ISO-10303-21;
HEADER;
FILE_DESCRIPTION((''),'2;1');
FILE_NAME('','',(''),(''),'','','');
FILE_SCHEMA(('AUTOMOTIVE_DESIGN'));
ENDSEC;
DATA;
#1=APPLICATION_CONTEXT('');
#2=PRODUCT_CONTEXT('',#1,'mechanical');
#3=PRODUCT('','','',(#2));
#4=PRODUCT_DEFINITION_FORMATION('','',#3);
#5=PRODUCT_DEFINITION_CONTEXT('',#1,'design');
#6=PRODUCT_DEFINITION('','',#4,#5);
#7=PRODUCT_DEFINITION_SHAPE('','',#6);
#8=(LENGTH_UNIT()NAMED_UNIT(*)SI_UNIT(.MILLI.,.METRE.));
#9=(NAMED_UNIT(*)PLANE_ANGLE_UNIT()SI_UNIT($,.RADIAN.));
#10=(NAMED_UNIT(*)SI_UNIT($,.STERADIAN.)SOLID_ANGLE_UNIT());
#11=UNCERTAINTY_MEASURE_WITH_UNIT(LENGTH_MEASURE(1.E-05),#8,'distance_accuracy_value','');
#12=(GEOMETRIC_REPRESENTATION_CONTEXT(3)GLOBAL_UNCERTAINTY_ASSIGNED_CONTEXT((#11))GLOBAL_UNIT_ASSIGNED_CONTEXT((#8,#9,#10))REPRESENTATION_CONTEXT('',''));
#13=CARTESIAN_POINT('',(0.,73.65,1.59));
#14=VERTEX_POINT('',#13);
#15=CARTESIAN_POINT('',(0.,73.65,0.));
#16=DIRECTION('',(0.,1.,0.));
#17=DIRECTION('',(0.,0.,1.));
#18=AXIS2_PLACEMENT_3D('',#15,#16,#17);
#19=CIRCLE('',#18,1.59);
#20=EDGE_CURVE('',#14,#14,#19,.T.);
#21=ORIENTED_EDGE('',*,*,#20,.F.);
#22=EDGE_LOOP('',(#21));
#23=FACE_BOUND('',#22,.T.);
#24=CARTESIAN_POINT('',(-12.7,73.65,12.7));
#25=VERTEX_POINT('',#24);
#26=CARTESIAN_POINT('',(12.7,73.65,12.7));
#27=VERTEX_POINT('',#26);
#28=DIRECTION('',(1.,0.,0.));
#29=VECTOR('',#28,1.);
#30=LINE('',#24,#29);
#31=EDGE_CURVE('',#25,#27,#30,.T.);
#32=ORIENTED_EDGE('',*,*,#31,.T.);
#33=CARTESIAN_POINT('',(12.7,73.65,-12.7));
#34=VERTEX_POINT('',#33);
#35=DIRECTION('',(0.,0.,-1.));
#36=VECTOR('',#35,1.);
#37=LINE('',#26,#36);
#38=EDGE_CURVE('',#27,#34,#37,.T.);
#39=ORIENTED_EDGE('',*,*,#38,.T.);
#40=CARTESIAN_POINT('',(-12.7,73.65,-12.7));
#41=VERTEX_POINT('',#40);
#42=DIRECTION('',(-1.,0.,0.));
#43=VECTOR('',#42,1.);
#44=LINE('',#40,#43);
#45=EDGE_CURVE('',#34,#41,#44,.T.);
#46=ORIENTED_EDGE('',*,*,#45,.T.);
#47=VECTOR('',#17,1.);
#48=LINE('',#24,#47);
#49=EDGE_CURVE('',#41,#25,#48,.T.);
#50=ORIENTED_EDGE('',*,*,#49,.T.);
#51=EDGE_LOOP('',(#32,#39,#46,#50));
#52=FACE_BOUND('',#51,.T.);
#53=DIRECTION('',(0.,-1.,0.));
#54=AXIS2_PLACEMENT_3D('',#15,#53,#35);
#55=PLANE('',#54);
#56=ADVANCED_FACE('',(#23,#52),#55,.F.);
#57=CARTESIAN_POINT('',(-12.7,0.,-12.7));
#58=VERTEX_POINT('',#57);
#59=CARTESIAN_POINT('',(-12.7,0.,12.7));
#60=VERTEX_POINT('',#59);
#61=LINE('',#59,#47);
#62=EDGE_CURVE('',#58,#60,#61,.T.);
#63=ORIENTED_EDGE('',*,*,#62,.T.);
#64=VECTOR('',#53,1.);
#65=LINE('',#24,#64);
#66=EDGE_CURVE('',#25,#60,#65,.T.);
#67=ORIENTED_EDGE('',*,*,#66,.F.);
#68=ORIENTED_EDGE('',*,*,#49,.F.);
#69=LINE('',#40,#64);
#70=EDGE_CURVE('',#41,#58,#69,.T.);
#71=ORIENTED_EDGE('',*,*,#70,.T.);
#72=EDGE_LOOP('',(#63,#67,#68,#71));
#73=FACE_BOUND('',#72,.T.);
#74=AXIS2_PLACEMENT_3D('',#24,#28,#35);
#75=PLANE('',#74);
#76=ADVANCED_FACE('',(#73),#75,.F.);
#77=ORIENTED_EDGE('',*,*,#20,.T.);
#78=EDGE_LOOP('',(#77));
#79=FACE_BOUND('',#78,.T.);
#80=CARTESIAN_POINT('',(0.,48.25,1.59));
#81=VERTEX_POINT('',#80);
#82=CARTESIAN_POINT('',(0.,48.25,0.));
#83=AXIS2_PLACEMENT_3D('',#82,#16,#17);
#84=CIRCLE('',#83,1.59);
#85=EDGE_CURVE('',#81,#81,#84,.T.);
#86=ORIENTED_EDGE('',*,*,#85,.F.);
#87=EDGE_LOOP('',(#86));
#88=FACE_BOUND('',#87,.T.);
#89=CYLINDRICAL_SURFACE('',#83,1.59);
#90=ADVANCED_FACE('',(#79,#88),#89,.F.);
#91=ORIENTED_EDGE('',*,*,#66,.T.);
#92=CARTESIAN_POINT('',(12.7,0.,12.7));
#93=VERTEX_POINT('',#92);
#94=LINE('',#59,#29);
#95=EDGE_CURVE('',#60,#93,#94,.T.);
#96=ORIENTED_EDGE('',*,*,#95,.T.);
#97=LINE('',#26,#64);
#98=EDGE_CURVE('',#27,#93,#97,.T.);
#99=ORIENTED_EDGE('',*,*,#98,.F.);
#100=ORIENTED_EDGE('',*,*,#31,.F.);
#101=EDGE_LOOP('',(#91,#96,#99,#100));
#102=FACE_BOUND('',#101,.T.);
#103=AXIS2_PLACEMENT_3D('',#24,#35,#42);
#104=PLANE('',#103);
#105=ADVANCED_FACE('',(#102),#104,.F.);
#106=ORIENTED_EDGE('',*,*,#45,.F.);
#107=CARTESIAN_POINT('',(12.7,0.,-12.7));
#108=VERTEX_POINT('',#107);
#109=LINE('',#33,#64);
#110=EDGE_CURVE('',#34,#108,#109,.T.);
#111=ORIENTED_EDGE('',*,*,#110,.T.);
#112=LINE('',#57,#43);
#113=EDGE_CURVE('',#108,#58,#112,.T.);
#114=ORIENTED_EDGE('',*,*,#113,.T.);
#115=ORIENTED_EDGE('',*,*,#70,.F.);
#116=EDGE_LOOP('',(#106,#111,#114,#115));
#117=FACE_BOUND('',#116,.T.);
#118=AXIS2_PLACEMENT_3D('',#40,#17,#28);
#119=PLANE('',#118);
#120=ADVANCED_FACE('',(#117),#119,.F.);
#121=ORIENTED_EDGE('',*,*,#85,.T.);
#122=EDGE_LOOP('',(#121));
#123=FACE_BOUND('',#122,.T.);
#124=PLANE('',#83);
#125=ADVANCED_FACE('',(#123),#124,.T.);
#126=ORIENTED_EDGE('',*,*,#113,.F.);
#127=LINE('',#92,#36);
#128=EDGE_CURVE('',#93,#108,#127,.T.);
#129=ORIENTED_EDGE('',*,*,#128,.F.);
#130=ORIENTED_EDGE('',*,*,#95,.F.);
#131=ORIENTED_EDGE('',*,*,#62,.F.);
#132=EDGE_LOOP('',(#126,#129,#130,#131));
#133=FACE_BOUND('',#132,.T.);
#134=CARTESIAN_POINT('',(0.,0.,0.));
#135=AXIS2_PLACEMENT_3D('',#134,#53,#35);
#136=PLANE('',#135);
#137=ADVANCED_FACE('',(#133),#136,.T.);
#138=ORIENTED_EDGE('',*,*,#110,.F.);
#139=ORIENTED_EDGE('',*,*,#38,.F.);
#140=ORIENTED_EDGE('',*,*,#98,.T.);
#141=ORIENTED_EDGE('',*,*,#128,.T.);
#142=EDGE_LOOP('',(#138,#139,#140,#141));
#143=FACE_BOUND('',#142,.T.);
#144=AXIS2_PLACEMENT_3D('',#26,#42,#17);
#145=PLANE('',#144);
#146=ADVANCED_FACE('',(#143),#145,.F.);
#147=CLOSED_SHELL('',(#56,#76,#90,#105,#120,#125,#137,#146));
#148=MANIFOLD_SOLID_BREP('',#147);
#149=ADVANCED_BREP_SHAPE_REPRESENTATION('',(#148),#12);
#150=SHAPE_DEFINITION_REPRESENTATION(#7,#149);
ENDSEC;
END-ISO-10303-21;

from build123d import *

# Parameters (mm, degrees)
SKETCH1_W           = 25.4
SKETCH1_H           = 25.4
BOSS_EXTRUDE1_DEPTH = 73.65
SKETCH2_R           = 1.59
CUT_EXTRUDE1_DEPTH  = 25.4


with BuildPart() as part:
    # Sketch1 → Boss-Extrude1 (new body)
    with BuildSketch(Plane(origin=(0, 0, 0), x_dir=(1, 0, 0), z_dir=(0, 1, 0))):
        Rectangle(SKETCH1_W, SKETCH1_H)
    extrude(amount=BOSS_EXTRUDE1_DEPTH)

    # Sketch2 → Cut-Extrude1 (cut)
    with BuildSketch(Plane(origin=(0, 73.65, 0), x_dir=(1, 0, 0), z_dir=(0, 1, 0))):
        Circle(SKETCH2_R)
    extrude(amount=-CUT_EXTRUDE1_DEPTH, mode=Mode.SUBTRACT)


solid = part.part
